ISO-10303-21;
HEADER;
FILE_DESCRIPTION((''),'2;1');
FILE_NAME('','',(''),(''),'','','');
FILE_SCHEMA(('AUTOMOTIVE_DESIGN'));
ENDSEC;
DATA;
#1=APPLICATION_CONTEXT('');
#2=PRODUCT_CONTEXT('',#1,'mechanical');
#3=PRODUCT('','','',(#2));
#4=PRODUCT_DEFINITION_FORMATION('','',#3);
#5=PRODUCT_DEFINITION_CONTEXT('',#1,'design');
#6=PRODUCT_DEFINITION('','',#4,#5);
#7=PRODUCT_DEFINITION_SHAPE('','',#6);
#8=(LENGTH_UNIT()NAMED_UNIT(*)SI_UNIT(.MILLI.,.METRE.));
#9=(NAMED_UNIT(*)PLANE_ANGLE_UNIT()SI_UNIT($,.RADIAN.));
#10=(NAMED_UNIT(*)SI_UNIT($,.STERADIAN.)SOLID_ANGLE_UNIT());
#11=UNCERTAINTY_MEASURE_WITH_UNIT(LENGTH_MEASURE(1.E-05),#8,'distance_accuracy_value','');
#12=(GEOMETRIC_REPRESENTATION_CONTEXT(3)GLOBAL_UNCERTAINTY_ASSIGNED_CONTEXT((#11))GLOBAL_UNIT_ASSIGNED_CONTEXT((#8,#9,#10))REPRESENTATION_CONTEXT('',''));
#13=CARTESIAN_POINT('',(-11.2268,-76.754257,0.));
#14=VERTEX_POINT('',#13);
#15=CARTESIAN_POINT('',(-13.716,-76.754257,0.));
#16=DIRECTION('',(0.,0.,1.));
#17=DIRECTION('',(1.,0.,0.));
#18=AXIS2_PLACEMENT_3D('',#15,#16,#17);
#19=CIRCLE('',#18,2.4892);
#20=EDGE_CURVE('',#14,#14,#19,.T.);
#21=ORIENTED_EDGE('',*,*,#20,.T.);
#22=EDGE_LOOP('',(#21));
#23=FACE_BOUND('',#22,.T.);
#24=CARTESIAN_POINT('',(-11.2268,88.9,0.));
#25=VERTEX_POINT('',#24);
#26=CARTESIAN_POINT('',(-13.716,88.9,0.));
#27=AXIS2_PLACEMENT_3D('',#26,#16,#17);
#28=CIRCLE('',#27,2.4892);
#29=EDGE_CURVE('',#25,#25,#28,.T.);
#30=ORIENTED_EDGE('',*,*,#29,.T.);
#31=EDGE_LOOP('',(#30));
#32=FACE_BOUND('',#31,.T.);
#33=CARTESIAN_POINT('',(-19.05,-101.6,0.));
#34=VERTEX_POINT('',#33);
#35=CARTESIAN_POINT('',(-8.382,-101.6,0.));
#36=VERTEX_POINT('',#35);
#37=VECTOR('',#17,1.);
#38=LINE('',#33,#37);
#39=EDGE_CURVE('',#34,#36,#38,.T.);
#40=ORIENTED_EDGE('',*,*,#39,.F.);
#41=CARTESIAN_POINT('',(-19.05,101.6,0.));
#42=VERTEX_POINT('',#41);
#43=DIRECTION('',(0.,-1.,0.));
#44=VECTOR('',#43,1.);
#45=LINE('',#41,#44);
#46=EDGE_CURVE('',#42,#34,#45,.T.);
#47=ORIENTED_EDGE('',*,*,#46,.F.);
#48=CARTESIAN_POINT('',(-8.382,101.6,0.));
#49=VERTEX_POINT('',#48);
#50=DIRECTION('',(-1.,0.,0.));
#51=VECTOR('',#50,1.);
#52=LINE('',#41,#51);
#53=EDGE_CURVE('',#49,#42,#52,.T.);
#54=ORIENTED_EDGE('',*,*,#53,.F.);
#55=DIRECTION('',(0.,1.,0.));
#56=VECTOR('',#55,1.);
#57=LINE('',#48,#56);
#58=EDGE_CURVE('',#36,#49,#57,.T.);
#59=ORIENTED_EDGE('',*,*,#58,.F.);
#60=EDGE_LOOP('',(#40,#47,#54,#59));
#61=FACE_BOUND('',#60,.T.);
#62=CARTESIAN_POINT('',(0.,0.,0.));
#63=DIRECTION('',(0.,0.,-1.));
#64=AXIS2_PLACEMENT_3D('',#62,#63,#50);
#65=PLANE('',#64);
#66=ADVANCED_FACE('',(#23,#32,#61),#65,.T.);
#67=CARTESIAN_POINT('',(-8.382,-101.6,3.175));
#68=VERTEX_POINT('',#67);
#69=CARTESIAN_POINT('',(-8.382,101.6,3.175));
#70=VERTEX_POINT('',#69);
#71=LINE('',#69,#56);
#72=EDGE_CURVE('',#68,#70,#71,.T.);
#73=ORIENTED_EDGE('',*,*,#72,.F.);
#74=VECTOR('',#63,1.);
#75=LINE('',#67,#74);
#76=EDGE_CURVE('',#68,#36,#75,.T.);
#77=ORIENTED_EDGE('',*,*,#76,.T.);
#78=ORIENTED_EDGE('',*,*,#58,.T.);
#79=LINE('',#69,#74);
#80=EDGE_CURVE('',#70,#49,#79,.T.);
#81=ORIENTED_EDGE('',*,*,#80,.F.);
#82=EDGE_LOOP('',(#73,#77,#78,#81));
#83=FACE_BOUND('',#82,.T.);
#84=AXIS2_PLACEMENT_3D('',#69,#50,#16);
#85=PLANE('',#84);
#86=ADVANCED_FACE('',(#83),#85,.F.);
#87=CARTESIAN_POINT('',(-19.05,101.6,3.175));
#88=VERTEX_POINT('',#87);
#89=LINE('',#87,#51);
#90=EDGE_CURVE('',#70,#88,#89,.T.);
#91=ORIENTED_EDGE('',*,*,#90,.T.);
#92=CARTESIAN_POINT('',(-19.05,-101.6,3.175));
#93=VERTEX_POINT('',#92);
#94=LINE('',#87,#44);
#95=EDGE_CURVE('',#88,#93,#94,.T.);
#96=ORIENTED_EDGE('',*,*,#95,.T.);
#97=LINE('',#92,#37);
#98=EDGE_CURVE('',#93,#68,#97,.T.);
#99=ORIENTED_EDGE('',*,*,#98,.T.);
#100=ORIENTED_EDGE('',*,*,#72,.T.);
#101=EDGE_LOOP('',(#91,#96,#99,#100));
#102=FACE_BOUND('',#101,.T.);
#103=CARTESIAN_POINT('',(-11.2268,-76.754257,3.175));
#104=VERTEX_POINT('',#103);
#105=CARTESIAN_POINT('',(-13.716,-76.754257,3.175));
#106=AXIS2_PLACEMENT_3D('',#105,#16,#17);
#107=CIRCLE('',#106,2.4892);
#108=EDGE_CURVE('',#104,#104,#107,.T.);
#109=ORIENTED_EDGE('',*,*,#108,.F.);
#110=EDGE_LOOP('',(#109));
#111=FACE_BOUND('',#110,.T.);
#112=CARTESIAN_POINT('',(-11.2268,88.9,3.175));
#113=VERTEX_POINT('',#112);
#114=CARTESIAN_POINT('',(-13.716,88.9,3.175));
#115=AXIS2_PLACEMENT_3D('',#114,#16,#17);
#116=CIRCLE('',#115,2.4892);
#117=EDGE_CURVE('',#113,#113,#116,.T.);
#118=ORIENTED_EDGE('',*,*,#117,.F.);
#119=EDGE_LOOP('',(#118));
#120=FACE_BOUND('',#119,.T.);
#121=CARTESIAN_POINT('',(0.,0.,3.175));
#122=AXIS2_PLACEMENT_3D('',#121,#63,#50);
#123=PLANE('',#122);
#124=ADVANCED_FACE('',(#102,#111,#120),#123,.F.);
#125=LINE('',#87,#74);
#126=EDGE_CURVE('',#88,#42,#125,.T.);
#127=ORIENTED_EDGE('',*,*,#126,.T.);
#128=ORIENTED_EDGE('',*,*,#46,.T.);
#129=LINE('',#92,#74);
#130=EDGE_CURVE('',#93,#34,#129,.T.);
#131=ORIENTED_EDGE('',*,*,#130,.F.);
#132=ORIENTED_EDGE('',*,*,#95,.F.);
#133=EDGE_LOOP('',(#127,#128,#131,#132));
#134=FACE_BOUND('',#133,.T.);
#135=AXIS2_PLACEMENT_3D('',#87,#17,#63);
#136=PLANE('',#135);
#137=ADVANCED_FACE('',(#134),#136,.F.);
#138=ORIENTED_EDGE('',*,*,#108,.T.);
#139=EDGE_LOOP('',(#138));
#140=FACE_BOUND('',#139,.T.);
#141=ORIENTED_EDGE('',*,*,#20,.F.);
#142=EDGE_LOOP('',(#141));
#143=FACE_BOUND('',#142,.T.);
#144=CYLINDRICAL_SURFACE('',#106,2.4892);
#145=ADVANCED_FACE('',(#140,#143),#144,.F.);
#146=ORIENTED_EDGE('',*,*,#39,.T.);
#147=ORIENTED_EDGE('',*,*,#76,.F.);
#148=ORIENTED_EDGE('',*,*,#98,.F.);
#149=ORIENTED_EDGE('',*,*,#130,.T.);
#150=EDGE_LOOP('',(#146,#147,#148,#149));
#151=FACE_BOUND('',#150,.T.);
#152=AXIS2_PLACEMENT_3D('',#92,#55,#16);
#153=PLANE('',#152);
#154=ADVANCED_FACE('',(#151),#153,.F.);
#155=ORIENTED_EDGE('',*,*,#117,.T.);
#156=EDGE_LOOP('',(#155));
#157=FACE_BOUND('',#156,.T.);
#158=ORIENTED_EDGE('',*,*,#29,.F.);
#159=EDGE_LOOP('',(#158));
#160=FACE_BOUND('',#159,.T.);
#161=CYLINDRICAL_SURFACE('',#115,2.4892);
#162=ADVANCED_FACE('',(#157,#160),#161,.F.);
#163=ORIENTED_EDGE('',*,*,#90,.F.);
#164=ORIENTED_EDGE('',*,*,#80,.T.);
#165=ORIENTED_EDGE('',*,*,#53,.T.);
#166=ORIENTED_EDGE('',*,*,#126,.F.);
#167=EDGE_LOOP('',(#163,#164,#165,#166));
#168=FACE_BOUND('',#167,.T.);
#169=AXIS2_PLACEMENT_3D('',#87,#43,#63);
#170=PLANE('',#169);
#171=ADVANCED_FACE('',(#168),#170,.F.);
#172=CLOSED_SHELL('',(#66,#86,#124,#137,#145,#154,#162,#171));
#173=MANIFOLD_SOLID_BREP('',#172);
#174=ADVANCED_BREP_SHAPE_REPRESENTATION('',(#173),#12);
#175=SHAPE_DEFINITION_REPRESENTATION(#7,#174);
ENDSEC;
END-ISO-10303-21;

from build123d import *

# Parameters (mm, degrees)
SKETCH1_W              = 10.668
SKETCH1_H              = 203.2
BOSS_EXTRUDE1_DEPTH    = 3.175
F_10_CLEARANCE_HOLE1_D = 4.9784
F_10_CLEARANCE_HOLE2_D = 4.9784


with BuildPart() as part:
    # Sketch1 → Boss-Extrude1 (new body)
    with BuildSketch(Plane.XY):
        with Locations((-13.716, 0)):
            Rectangle(SKETCH1_W, SKETCH1_H)
    extrude(amount=BOSS_EXTRUDE1_DEPTH)

    # #10 Clearance Hole1 (through all)
    with Locations(Plane.XY.offset(3.175)):
        with Locations((-13.716, -76.754256991)):
            Hole(F_10_CLEARANCE_HOLE1_D / 2)

    # #10 Clearance Hole2 (through all)
    with Locations(Plane.XY.offset(3.175)):
        with Locations((-13.716, 88.9)):
            Hole(F_10_CLEARANCE_HOLE2_D / 2)


solid = part.part
